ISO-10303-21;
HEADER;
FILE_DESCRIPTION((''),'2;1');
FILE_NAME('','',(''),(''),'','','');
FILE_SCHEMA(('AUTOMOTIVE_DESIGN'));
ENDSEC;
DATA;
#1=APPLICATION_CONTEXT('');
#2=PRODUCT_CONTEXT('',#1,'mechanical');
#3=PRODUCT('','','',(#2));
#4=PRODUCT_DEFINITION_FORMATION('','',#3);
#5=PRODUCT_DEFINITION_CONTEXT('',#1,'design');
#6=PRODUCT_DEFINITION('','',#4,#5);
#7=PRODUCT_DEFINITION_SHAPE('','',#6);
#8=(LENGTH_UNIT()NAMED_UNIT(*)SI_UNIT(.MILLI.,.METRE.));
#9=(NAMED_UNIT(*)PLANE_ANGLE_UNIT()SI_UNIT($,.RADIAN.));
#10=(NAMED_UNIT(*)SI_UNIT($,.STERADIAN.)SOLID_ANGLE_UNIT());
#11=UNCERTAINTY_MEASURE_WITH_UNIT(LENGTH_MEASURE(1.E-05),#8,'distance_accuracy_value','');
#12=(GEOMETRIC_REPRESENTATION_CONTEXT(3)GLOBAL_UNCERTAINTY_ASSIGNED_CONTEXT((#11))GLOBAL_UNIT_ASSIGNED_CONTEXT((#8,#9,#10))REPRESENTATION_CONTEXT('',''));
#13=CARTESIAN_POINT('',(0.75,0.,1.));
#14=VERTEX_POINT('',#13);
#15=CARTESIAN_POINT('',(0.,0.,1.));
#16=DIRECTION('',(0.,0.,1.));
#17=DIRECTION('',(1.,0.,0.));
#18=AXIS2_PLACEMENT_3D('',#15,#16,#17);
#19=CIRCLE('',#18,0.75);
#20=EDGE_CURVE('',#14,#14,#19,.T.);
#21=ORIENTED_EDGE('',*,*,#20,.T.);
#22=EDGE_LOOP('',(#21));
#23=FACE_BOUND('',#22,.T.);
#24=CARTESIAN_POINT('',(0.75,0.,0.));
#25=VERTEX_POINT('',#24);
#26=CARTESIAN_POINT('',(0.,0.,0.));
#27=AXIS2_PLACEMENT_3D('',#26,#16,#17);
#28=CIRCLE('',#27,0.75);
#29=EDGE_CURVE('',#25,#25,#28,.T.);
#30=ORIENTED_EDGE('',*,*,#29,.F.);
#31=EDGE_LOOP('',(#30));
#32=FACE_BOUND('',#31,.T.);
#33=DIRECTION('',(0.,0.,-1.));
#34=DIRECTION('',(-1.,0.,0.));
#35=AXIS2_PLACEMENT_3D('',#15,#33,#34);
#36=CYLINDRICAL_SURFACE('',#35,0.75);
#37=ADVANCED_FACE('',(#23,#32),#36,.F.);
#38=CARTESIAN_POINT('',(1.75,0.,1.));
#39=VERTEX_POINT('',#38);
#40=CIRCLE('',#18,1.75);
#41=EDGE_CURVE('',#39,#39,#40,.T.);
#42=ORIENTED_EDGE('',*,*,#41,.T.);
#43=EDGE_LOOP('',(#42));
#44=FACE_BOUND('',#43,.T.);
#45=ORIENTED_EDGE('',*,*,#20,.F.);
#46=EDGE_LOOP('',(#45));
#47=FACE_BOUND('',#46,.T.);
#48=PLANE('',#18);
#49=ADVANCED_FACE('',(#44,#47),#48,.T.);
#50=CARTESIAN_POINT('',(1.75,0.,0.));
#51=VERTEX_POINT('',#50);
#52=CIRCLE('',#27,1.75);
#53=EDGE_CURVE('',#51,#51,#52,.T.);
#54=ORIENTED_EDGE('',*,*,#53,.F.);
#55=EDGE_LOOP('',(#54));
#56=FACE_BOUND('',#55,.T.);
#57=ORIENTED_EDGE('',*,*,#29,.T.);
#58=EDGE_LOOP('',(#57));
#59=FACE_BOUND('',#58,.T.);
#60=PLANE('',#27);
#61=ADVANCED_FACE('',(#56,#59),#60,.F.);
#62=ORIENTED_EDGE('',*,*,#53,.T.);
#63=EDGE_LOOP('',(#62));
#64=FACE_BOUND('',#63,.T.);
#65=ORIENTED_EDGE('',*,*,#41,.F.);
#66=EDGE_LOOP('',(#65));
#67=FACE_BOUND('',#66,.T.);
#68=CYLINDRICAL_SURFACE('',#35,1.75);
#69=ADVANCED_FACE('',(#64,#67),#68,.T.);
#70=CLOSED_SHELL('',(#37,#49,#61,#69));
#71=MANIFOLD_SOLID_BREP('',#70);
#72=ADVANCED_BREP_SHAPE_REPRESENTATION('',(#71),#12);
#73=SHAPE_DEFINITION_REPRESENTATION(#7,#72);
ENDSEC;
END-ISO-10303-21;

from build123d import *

# Parameters (mm, degrees)
SKETCH1_R           = 1.75
SKETCH1_R_2         = 0.75
BOSS_EXTRUDE1_DEPTH = 1


with BuildPart() as part:
    # Sketch1 → Boss-Extrude1 (new body)
    with BuildSketch(Plane.XY):
        Circle(SKETCH1_R)
        Circle(SKETCH1_R_2, mode=Mode.SUBTRACT)
    extrude(amount=BOSS_EXTRUDE1_DEPTH)


solid = part.part
